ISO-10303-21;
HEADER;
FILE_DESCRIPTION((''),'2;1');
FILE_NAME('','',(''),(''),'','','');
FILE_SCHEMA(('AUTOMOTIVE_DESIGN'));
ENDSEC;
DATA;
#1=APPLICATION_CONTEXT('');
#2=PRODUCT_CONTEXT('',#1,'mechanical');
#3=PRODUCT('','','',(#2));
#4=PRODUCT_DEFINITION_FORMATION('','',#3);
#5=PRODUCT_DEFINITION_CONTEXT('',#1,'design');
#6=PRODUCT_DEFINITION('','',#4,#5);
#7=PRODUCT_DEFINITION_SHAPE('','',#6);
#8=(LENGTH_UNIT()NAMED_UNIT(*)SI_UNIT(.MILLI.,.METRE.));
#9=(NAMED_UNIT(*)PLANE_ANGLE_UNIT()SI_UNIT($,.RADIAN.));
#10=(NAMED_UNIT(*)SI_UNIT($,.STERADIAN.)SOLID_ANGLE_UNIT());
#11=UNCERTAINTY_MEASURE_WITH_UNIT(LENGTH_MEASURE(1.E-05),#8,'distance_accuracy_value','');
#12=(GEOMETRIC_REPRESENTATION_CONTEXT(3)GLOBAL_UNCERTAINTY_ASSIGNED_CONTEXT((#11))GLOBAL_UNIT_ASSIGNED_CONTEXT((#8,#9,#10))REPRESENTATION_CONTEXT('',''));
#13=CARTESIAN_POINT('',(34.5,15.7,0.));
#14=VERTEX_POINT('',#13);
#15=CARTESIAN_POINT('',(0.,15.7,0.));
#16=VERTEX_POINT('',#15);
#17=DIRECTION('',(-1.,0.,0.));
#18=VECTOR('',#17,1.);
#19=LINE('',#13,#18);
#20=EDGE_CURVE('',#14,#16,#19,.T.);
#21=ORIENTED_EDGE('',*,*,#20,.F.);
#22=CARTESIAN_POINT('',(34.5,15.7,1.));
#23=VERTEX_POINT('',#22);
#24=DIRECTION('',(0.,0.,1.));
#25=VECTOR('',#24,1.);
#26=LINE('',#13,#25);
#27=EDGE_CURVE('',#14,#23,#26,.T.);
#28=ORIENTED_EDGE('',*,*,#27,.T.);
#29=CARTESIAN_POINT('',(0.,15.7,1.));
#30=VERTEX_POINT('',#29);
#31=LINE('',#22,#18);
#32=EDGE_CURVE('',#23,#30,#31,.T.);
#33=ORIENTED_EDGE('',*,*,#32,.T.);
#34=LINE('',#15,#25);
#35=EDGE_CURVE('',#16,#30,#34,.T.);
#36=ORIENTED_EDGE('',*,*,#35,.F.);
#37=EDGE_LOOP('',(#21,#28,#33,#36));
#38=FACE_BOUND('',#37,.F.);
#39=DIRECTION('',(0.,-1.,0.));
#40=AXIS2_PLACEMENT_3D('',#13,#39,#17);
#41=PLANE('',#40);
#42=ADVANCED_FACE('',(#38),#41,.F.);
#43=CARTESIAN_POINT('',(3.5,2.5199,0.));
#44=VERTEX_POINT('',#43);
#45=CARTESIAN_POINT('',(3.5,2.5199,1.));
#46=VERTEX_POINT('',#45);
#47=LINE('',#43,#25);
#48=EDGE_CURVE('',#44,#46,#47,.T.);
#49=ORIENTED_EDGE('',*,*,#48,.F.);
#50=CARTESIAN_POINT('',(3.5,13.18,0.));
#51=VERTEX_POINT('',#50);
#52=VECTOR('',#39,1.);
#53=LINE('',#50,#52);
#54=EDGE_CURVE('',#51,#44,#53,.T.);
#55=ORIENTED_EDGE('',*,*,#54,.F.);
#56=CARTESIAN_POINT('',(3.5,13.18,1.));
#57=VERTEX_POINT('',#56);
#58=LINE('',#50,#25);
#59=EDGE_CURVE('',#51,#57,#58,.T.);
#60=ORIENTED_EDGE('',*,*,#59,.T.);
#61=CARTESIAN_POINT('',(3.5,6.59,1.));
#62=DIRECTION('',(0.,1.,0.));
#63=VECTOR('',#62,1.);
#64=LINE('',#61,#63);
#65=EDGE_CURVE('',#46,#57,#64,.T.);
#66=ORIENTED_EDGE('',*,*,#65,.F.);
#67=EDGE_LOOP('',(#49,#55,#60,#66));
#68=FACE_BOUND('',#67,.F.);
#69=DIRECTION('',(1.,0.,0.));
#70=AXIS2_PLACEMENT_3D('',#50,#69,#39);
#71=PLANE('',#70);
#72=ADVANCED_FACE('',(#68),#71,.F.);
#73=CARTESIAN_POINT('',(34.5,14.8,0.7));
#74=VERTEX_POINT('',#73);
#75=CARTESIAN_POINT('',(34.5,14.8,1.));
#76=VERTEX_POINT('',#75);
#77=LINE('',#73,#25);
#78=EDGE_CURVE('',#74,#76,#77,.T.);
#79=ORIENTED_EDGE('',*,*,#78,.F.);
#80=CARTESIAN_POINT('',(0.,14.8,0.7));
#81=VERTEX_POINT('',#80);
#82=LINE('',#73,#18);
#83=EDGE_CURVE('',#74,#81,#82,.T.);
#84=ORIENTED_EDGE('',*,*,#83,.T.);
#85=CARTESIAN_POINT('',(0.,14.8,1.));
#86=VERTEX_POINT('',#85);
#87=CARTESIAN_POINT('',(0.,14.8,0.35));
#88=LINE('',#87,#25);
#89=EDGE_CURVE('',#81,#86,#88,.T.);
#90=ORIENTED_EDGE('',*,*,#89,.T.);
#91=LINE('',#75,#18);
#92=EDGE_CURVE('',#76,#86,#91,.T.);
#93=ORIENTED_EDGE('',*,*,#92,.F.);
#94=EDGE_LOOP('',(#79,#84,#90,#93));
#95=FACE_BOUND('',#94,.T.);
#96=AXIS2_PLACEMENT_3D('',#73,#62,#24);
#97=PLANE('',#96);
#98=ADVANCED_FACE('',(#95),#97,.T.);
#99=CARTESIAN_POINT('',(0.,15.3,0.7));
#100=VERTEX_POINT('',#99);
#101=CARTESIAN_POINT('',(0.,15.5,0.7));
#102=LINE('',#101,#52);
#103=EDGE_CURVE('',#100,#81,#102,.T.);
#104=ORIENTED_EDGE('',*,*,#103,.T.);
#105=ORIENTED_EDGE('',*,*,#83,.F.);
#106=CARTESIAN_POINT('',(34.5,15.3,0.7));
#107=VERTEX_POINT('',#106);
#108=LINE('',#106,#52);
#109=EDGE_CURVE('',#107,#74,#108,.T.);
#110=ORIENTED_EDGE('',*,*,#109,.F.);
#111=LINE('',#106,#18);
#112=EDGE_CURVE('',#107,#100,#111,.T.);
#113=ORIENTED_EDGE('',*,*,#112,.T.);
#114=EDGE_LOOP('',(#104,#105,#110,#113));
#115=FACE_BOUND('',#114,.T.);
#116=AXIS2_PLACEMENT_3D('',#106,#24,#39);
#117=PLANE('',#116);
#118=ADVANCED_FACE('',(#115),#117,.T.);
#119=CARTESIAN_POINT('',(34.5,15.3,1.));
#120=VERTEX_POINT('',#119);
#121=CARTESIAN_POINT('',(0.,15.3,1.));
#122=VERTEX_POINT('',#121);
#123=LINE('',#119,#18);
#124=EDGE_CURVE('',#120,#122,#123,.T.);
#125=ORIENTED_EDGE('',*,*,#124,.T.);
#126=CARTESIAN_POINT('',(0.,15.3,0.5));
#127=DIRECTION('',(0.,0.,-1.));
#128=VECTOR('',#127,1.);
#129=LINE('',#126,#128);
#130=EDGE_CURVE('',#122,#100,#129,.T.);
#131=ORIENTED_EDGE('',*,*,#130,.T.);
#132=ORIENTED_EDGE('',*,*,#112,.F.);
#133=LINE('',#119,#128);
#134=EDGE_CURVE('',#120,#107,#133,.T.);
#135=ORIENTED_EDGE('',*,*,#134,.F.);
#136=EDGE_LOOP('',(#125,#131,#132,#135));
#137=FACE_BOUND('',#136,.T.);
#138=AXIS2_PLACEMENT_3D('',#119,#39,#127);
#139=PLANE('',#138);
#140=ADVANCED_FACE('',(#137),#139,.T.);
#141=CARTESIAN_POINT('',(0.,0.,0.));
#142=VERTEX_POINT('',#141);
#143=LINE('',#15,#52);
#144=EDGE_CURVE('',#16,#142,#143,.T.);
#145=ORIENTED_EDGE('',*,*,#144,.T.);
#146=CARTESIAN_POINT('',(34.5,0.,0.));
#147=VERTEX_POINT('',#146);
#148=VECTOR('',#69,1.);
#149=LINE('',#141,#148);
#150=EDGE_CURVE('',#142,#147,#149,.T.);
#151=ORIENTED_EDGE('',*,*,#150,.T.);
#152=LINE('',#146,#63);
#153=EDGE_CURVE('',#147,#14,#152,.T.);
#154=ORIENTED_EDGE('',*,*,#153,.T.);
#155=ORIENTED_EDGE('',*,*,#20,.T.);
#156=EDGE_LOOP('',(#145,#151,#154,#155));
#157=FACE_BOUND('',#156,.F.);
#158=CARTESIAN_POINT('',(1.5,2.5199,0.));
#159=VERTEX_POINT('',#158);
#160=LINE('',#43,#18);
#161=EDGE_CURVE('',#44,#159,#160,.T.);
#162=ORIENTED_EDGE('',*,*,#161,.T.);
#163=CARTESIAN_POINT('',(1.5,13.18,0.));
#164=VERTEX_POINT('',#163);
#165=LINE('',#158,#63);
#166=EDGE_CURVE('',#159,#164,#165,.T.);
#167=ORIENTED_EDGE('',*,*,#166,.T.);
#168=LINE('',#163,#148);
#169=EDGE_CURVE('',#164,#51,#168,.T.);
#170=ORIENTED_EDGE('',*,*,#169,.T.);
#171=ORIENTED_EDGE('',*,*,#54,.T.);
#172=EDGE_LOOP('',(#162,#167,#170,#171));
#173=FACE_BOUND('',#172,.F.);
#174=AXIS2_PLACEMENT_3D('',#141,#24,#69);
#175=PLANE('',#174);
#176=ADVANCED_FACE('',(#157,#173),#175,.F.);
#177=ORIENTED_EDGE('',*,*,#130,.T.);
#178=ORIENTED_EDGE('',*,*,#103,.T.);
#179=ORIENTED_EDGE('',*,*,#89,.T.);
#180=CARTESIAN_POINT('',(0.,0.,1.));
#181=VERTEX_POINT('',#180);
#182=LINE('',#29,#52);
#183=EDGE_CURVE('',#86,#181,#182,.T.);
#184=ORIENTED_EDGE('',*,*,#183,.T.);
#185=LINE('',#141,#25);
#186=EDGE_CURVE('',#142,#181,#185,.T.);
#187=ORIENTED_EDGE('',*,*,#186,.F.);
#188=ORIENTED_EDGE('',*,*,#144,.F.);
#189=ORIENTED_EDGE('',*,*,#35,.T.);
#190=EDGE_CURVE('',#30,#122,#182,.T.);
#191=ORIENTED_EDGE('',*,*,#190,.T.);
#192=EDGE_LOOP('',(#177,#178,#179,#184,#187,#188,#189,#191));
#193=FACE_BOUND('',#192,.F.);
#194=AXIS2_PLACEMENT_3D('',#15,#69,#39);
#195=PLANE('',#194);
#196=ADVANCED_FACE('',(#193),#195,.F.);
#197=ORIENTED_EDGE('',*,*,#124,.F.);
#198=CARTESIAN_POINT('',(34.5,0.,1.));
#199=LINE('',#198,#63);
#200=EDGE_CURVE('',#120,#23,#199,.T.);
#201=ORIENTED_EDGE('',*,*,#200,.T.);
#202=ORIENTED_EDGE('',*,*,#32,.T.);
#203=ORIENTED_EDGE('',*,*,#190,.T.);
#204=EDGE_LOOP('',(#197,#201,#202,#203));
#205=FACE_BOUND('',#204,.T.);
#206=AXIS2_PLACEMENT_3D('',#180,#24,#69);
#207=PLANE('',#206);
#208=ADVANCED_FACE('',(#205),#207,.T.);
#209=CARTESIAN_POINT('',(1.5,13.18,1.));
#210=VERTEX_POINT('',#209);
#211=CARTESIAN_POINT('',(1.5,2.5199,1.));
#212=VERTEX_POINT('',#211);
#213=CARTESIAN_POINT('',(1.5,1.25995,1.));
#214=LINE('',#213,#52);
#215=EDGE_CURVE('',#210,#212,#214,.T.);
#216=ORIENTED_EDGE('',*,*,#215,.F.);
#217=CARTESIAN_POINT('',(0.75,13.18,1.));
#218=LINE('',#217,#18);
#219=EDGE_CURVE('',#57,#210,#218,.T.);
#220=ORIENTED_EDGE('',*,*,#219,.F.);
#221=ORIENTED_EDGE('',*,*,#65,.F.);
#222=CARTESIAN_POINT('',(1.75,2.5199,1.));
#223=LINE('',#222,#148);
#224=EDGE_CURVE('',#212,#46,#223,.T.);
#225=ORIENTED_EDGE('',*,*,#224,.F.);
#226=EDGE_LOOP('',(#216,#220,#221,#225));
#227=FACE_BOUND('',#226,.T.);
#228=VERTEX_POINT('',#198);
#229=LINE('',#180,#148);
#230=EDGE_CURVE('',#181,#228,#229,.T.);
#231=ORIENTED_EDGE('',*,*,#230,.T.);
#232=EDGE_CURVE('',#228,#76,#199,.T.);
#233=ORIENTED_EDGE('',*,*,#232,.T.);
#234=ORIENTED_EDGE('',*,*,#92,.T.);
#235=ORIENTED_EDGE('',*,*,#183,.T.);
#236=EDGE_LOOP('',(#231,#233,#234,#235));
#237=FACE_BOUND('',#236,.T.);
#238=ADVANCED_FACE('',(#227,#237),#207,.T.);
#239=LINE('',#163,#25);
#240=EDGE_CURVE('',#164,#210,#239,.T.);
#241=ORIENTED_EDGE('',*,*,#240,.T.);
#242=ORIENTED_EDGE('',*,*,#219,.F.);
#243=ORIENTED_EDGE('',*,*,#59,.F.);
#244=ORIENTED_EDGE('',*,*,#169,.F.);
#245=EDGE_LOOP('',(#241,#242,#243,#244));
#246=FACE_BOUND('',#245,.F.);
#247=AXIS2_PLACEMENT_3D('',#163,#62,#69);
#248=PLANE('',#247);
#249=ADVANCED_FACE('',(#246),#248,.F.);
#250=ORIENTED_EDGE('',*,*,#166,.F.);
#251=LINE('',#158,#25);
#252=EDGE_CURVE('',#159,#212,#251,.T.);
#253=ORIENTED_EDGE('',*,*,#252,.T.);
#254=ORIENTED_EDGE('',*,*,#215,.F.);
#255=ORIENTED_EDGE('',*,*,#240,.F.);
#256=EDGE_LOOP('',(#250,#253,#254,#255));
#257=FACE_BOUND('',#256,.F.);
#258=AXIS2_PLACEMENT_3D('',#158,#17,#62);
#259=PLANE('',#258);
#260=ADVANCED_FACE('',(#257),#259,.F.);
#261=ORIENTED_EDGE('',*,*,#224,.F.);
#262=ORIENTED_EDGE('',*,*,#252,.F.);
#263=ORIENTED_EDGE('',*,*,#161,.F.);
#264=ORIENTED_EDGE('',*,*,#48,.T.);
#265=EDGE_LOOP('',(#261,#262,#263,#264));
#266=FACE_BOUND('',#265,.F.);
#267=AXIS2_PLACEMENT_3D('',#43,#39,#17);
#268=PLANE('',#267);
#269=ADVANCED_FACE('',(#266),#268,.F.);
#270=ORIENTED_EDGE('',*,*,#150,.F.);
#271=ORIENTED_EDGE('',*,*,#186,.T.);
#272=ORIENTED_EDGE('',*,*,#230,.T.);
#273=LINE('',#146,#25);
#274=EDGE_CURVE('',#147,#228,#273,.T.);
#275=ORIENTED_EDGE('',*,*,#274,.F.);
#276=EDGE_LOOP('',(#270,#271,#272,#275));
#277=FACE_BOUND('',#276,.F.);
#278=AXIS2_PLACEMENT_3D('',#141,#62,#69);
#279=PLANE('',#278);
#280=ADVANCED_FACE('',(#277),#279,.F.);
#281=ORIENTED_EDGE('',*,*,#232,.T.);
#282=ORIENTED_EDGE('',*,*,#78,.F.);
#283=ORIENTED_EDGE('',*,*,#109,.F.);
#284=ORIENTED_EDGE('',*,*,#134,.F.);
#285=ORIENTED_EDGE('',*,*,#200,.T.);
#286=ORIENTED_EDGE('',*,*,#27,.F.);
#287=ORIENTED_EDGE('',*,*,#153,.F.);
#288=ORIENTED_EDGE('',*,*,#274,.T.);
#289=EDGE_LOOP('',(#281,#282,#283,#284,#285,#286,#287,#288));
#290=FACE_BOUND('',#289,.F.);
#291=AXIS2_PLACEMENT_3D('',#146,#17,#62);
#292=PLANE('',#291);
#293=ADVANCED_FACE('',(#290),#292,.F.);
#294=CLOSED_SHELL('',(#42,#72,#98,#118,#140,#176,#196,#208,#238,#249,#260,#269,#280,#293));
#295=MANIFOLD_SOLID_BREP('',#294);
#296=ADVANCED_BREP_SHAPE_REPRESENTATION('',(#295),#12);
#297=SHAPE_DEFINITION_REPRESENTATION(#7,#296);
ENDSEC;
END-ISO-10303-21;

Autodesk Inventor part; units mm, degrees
ref_plane "YZ Plane" through (0, 0, 0) normal (1, 0, 0) x (0, 1, 0)
ref_plane "XZ Plane" through (0, 0, 0) normal (0, 1, 0) x (-1, 0, 0)
ref_plane "XY Plane" through (0, 0, 0) normal (0, 0, 1) x (1, 0, 0)
sketch "Sketch1" plane through (0, 0, 0) normal (0, 0, 1) x (1, 0, 0)
  line L0 (0, 0) -> (34.5, 0)
  line L1 (34.5, 0) -> (34.5, 15.7)
  line L2 (34.5, 15.7) -> (0, 15.7)
  line L3 (0, 15.7) -> (0, 0)
  dimension "d0" = 34.5
  dimension "d1" = 15.7
extrude "Extrusion1" add sketch "Sketch1" along normal blind 1
sketch "Sketch3" plane through (34.5, 0, 0) normal (1, 0, 0) x (0, 0, -1)
  line L0 (-1, 0) -> (-1, 15.7) projected
  line L1 (-1, 15.3) -> (-0.7, 15.3)
  line L2 (-0.7, 15.3) -> (-0.7, 14.8)
  line L3 (-0.7, 14.8) -> (-1, 14.8)
  line L4 (-1, 14.8) -> (-1, 15.3)
  line L5 (0, 15.7) -> (-1, 15.7) projected
  dimension "d8" = 0.3
  dimension "d9" = 0.5
  dimension "d12" = 0.4
extrude "Extrusion3" cut sketch "Sketch3" against normal blind 40
sketch "Sketch5" plane through (0, 0, 0) normal (0, 0, -1) x (-1, 0, 0)
  line L0 (-1.5, 13.18) -> (-3.5, 13.18)
  line L1 (-3.5, 13.18) -> (-3.5, 2.5199)
  line L2 (-3.5, 2.5199) -> (-1.5, 2.5199)
  line L3 (-1.5, 2.5199) -> (-1.5, 13.18)
  line L4 (0, 15.7) -> (0, 0) projected
  line L5 (-34.5, 15.7) -> (0, 15.7) projected
  dimension "d18" = 2
  dimension "d19" = 10.6601
  dimension "d20" = 2.52
  dimension "d21" = 1.5
extrude "Extrusion5" cut sketch "Sketch5" against normal blind 2
properties part number "Zijkant 2"
